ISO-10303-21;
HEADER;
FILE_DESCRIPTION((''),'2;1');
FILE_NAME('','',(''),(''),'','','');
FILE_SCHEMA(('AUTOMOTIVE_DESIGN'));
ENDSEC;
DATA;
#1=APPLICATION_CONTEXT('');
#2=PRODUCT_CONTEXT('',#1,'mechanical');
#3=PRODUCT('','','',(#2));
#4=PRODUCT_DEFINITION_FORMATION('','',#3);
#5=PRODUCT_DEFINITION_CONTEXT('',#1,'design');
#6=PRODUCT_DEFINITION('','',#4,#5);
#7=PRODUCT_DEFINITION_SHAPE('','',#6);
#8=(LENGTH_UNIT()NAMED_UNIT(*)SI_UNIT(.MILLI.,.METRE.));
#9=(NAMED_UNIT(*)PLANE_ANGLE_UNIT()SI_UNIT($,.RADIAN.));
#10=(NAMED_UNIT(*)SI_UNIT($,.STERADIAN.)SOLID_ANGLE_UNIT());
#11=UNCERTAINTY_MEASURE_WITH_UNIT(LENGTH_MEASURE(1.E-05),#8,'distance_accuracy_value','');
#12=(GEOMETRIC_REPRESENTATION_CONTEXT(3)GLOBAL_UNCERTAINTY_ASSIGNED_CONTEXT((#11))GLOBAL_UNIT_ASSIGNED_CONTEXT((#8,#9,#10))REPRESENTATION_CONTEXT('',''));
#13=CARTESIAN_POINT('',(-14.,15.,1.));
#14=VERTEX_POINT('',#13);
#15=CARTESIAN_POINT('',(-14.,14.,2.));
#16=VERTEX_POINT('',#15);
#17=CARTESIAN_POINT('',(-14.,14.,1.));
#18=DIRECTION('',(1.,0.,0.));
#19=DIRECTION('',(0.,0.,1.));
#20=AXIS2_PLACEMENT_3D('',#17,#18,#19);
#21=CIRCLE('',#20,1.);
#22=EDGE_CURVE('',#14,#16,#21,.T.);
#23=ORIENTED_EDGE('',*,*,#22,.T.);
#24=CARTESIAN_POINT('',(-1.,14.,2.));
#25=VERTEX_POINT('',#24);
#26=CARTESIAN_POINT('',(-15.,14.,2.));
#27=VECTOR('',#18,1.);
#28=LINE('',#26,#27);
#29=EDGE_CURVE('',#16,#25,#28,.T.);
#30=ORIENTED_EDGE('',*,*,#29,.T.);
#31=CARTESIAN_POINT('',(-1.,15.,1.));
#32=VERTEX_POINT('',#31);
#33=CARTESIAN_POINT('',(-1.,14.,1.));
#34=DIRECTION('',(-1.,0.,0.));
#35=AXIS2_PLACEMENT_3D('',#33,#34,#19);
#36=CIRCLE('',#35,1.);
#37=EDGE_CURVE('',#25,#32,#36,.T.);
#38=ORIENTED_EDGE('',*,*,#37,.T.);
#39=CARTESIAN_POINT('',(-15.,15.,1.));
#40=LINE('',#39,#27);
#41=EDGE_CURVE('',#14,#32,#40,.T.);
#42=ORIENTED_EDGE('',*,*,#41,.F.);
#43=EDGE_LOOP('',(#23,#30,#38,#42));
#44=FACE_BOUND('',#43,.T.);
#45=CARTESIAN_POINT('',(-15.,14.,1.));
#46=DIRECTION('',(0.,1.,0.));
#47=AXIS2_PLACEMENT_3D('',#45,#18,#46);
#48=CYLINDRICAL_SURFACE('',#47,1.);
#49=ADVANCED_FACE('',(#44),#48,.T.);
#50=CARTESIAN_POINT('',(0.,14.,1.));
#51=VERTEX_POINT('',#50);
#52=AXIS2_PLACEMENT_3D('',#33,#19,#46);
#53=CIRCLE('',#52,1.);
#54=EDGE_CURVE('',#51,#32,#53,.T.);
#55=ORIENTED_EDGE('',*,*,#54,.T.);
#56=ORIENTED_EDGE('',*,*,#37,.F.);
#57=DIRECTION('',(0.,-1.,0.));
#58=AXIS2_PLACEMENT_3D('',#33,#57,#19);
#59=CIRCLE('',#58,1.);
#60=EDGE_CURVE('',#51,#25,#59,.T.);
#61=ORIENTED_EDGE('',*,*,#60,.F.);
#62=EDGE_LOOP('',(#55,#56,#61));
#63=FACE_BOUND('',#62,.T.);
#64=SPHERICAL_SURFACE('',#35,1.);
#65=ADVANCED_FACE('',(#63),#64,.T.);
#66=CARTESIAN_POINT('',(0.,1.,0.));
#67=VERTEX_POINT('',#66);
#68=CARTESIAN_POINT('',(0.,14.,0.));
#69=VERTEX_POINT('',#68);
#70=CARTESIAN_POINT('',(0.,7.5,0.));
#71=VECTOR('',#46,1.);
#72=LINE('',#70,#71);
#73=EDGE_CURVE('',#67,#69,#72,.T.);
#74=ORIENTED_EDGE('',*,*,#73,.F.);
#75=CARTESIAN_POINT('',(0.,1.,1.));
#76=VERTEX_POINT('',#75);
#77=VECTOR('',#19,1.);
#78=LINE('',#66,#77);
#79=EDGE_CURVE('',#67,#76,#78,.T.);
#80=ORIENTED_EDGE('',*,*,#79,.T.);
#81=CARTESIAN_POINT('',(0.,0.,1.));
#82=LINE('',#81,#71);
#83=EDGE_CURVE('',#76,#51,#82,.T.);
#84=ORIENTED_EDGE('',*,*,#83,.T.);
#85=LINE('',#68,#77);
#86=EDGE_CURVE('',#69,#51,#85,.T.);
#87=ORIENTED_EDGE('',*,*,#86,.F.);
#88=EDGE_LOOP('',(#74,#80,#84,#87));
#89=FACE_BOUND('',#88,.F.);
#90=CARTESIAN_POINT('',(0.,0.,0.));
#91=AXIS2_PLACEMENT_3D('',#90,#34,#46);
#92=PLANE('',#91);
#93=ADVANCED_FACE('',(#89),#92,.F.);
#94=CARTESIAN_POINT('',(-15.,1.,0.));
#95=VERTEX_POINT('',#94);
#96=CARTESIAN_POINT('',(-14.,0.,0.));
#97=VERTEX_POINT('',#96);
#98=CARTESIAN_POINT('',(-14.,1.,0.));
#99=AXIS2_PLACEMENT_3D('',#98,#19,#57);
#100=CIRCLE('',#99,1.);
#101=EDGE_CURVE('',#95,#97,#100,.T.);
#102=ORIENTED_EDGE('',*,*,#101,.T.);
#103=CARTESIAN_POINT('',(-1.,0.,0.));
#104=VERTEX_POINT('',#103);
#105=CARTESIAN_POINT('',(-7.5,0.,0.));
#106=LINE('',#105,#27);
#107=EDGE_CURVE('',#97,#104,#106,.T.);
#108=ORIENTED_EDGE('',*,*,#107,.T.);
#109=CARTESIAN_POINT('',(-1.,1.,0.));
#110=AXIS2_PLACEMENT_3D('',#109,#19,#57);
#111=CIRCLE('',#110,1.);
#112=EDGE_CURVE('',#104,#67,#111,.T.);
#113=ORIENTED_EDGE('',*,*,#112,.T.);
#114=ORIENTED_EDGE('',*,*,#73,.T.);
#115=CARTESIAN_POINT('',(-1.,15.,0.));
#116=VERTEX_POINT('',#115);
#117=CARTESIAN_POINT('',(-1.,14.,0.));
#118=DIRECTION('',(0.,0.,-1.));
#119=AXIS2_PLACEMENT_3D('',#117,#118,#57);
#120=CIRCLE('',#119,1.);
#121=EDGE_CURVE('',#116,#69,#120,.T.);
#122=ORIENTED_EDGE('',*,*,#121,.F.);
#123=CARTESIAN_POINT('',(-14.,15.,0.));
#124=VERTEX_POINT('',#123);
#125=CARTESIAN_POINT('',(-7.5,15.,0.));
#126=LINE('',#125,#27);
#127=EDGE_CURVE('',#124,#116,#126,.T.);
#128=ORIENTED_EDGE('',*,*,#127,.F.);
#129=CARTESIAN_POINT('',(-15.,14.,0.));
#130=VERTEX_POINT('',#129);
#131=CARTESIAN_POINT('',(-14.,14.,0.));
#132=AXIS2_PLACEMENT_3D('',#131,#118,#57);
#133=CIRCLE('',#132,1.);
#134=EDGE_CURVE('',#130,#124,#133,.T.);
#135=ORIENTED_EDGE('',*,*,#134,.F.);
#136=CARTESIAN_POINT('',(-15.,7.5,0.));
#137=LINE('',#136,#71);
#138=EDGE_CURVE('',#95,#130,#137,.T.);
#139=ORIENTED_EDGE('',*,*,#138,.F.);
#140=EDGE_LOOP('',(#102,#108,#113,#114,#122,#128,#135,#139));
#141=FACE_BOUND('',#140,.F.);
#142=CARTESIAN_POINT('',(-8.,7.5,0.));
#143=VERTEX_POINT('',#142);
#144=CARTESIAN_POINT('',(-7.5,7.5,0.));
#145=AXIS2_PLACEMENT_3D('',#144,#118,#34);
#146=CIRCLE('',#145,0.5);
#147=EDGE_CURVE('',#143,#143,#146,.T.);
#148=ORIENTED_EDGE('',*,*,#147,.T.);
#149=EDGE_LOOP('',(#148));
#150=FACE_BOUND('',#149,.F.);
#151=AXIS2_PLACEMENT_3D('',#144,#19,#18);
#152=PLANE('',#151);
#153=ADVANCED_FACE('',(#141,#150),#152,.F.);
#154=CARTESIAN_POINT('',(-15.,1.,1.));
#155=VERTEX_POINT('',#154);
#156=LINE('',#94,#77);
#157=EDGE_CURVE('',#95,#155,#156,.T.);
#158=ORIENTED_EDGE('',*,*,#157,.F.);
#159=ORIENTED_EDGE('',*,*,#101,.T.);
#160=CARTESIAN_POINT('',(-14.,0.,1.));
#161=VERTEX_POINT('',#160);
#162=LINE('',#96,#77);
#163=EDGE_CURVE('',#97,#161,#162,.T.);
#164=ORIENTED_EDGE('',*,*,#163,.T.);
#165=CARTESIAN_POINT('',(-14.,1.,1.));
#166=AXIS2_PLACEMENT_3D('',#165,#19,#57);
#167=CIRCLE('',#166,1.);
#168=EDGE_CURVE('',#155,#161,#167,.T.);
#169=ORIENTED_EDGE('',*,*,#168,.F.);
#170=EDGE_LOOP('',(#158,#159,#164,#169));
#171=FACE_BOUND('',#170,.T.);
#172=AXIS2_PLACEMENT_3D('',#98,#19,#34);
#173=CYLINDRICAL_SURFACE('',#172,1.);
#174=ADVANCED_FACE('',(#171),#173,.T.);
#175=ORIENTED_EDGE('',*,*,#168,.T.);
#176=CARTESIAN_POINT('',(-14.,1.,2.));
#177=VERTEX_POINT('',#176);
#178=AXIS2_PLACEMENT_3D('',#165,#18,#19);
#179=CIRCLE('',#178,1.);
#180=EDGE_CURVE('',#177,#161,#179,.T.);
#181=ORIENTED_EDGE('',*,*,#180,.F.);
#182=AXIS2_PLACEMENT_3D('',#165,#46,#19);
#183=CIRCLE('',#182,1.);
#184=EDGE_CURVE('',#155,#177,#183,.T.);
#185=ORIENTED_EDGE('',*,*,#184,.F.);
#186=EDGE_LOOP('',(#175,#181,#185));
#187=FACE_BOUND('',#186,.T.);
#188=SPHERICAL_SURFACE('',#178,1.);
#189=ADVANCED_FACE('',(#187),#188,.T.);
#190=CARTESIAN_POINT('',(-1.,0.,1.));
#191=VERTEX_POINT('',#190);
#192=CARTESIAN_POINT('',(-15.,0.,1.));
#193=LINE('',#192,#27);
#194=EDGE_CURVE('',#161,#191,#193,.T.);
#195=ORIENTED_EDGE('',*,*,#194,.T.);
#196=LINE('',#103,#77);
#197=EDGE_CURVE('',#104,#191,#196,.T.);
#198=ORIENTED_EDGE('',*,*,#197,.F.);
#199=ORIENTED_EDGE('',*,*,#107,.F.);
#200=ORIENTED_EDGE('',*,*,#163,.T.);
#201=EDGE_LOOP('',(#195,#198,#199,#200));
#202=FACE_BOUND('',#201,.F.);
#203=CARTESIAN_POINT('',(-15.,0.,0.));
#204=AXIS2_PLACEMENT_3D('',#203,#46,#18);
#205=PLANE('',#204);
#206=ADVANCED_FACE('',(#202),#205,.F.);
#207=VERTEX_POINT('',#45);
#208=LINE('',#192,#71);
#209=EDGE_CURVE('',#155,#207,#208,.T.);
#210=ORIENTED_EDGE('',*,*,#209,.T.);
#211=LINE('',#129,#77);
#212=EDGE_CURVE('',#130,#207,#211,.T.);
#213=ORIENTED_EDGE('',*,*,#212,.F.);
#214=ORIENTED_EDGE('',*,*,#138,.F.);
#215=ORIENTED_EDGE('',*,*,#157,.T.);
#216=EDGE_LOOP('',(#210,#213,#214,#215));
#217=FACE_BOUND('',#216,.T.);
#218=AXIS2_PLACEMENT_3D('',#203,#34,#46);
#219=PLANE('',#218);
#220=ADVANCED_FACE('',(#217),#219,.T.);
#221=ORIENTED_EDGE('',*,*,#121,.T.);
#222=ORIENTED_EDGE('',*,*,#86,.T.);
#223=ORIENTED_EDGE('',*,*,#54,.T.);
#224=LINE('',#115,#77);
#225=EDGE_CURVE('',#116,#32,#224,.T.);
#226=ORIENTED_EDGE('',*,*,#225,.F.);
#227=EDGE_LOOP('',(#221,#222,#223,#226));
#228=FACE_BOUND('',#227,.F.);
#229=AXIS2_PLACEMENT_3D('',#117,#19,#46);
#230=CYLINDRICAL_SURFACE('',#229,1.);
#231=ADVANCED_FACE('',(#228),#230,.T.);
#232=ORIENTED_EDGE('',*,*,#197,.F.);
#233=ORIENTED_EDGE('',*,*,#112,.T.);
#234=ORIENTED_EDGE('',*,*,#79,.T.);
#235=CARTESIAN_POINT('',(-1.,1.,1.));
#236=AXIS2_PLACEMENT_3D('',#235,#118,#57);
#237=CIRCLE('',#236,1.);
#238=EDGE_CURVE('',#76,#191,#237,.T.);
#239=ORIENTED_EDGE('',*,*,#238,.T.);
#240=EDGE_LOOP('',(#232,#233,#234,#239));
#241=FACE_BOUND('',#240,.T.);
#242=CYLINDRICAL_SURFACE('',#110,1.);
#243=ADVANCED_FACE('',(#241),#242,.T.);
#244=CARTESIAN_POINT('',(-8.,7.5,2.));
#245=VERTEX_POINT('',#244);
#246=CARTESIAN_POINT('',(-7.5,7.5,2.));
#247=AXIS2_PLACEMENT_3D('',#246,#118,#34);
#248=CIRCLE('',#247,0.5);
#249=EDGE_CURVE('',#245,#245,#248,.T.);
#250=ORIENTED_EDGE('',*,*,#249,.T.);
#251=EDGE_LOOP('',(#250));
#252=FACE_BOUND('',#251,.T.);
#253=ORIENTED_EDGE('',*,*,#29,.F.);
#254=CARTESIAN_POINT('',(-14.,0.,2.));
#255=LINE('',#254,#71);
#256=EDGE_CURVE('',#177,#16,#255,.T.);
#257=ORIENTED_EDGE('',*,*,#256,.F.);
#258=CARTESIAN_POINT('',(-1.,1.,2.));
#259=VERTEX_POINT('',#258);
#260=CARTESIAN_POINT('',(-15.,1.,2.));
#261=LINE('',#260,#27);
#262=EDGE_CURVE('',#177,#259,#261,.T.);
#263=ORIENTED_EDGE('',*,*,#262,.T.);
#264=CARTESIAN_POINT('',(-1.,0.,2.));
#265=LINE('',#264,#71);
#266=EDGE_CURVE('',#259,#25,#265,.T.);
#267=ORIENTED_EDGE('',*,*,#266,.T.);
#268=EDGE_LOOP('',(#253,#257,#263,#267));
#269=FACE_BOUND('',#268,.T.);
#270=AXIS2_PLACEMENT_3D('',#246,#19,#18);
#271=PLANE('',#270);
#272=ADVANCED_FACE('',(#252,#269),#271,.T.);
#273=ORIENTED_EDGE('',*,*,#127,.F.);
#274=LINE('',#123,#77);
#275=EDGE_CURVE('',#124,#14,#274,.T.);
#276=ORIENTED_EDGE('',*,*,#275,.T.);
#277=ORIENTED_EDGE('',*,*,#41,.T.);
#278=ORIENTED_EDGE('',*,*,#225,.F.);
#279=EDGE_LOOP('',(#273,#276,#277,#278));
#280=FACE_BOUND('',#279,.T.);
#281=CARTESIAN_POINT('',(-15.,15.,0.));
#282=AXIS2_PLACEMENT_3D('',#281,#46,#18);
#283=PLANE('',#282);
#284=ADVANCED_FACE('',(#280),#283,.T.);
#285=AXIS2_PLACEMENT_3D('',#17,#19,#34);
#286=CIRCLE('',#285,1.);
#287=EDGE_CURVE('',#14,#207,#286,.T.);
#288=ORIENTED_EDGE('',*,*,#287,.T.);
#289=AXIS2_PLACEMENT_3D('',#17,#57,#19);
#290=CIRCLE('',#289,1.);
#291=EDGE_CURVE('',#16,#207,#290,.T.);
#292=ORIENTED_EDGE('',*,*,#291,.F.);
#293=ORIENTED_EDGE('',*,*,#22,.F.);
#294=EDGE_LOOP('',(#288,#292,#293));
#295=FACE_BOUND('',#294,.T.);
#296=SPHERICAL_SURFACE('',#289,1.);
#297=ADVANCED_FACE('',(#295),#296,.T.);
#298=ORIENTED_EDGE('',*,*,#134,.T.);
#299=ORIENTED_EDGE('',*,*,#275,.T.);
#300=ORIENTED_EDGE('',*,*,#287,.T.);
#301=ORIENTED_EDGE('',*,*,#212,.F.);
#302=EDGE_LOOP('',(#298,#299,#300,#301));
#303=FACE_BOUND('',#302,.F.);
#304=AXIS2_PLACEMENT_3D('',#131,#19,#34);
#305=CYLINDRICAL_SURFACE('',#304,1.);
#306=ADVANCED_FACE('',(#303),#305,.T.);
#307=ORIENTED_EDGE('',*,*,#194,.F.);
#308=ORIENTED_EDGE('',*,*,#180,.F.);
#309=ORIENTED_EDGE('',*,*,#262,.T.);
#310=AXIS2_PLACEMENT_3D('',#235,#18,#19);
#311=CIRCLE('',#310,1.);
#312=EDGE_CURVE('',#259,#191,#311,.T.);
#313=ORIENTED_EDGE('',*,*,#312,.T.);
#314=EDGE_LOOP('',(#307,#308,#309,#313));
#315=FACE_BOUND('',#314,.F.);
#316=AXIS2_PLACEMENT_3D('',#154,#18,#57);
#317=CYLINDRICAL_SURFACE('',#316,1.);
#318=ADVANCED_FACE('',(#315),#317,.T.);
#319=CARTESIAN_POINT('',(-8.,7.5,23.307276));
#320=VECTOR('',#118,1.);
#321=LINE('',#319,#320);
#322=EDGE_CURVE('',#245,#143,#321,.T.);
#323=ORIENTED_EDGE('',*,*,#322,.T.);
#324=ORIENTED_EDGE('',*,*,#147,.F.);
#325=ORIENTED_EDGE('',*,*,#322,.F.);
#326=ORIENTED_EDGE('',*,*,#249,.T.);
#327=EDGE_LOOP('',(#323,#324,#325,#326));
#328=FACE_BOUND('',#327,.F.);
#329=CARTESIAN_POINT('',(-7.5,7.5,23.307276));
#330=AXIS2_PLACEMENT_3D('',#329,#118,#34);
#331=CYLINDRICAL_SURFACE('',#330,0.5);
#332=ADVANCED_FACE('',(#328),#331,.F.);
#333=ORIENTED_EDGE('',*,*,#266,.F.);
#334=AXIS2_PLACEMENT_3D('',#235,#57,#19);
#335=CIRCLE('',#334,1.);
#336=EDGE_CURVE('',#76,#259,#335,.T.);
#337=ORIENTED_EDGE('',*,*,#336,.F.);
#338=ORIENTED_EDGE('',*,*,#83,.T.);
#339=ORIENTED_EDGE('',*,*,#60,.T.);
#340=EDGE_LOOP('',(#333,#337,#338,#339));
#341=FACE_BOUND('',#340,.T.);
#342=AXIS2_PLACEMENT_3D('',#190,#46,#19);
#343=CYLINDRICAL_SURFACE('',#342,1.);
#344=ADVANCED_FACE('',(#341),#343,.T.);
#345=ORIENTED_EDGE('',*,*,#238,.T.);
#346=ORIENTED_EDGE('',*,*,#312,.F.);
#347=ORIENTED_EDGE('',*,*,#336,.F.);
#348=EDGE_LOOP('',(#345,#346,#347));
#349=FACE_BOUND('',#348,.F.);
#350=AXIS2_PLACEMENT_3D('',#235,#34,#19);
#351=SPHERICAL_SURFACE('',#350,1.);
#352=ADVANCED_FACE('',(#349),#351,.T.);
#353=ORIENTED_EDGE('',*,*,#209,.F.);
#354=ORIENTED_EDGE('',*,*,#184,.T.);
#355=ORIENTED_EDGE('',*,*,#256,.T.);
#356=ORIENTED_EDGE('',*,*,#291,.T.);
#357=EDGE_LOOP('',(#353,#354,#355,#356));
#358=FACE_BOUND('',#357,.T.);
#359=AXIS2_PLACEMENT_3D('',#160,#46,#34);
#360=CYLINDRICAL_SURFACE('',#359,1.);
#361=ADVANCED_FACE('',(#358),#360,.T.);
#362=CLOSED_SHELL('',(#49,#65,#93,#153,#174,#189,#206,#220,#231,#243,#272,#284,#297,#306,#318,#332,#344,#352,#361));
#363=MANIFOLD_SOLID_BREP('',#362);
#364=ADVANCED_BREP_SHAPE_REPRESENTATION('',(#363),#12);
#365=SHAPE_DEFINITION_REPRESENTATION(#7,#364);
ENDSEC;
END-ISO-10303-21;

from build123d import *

# Parameters (mm, degrees)
F0_W     = 15
F0_H     = 15
F1_DEPTH = 2
F3_D     = 1
F4_R     = 1


with BuildPart() as f1:
    # F0 (on Top) → F1 (new body)
    with BuildSketch(Plane.XY):
        with Locations((-7.5, 7.5)):
            Rectangle(F0_W, F0_H)
    extrude(amount=F1_DEPTH)

    # F3 (through all)
    with Locations(Plane.XY.offset(2)):
        with Locations((-7.5, 7.5)):
            Hole(F3_D / 2)

    # F4
    f4_edges = [f1.edges().sort_by_distance(p)[0] for p in [
        (-7.5, 0, 2),
        (-15, 7.5, 2),
        (-7.5, 15, 2),
        (0, 7.5, 2),
        (0, 0, 1),
        (-15, 0, 1),
        (0, 15, 1),
        (-15, 15, 1),
    ]]
    fillet(f4_edges, radius=F4_R)


solid = f1.part
